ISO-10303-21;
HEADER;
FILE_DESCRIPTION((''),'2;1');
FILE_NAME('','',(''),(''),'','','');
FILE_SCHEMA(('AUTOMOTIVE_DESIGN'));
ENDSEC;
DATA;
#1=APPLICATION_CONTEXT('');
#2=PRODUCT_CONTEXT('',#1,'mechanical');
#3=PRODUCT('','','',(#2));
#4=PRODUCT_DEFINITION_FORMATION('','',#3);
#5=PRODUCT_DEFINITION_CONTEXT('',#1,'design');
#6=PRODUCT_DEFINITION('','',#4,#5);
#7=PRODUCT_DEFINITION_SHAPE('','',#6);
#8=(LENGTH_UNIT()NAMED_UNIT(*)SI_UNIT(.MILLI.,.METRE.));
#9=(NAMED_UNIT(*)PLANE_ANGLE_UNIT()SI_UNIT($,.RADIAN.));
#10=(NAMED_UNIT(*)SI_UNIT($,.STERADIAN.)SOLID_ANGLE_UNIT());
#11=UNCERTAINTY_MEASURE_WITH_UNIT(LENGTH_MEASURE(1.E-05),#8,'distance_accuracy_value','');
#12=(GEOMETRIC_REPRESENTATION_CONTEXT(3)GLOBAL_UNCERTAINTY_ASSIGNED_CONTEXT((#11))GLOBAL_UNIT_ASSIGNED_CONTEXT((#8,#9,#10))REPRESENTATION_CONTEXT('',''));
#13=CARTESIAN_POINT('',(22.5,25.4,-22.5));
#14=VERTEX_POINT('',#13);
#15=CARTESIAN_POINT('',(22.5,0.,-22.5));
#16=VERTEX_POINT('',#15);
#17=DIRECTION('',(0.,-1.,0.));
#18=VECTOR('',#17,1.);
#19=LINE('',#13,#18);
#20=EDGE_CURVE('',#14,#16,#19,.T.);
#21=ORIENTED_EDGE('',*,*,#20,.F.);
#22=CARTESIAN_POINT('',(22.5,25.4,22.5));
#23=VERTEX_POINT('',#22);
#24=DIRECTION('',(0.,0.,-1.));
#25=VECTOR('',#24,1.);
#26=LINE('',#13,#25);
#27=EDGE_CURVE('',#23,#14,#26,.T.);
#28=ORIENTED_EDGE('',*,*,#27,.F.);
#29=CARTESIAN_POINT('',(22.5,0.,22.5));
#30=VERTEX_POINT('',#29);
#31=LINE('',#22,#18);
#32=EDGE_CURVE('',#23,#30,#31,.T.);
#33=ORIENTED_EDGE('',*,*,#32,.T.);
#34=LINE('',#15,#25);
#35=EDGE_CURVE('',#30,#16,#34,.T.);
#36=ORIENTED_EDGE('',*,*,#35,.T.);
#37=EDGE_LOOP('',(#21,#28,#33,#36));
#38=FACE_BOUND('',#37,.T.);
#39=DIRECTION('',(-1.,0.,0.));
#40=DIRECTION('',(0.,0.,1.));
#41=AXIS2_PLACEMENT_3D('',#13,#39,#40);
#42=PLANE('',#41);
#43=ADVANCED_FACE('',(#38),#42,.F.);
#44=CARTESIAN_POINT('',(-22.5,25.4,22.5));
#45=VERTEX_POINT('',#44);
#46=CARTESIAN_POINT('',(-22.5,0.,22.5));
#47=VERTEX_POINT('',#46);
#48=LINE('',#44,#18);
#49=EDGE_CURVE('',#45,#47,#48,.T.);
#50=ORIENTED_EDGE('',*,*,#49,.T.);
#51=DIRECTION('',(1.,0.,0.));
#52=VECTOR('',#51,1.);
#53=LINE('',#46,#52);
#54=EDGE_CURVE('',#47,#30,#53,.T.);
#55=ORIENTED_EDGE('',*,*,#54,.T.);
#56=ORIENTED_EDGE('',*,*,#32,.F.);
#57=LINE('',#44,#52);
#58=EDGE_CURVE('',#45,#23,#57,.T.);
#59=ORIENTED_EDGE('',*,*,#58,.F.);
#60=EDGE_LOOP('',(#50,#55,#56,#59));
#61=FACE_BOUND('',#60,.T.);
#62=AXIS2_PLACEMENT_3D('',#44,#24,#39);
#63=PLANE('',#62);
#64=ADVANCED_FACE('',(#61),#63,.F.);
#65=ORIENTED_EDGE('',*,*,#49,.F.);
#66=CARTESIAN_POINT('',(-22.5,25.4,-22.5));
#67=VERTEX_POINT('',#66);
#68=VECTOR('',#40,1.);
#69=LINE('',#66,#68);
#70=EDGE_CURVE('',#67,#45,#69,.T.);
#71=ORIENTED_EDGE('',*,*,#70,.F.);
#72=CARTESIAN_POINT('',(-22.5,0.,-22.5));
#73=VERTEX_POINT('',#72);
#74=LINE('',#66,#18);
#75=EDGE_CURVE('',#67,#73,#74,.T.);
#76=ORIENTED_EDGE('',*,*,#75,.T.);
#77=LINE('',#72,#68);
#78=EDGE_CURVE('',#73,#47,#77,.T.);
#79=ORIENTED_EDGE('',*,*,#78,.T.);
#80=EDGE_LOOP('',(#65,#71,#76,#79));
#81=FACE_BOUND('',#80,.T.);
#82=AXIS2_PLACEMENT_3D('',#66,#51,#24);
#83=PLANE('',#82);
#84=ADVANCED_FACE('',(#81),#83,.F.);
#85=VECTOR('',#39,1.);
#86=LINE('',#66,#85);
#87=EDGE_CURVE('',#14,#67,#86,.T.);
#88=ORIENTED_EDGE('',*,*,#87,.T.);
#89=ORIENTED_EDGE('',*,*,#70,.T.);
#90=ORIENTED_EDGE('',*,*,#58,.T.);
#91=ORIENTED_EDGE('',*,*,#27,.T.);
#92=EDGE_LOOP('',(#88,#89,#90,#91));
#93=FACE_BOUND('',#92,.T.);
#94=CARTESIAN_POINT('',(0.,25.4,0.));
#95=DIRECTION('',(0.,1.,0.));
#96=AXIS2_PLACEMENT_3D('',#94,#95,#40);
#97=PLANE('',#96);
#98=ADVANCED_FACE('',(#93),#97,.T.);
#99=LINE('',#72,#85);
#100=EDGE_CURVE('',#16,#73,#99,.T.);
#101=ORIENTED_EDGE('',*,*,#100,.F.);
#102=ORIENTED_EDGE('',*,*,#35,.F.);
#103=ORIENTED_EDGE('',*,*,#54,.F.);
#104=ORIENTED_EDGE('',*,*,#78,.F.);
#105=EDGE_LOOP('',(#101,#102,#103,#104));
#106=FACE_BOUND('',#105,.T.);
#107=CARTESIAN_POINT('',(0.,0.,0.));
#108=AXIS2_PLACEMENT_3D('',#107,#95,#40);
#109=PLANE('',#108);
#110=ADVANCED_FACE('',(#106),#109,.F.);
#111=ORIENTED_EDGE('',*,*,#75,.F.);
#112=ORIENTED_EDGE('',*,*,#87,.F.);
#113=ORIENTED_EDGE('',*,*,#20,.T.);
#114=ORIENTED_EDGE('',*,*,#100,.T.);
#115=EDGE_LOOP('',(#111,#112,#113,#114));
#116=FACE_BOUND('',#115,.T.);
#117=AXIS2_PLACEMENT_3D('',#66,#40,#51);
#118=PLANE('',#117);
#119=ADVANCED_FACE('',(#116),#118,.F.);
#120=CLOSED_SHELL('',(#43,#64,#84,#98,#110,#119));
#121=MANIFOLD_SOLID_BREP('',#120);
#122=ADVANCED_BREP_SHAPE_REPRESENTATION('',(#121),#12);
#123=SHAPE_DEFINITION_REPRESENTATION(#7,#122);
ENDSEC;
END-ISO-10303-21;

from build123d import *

# Parameters (mm, degrees)
SKETCH1_W           = 45
SKETCH1_H           = 45
BOSS_EXTRUDE1_DEPTH = 25.4


with BuildPart() as part:
    # Sketch1 → Boss-Extrude1 (new body)
    with BuildSketch(Plane(origin=(0, 0, 0), x_dir=(1, 0, 0), z_dir=(0, 1, 0))):
        Rectangle(SKETCH1_W, SKETCH1_H)
    extrude(amount=BOSS_EXTRUDE1_DEPTH)


solid = part.part
